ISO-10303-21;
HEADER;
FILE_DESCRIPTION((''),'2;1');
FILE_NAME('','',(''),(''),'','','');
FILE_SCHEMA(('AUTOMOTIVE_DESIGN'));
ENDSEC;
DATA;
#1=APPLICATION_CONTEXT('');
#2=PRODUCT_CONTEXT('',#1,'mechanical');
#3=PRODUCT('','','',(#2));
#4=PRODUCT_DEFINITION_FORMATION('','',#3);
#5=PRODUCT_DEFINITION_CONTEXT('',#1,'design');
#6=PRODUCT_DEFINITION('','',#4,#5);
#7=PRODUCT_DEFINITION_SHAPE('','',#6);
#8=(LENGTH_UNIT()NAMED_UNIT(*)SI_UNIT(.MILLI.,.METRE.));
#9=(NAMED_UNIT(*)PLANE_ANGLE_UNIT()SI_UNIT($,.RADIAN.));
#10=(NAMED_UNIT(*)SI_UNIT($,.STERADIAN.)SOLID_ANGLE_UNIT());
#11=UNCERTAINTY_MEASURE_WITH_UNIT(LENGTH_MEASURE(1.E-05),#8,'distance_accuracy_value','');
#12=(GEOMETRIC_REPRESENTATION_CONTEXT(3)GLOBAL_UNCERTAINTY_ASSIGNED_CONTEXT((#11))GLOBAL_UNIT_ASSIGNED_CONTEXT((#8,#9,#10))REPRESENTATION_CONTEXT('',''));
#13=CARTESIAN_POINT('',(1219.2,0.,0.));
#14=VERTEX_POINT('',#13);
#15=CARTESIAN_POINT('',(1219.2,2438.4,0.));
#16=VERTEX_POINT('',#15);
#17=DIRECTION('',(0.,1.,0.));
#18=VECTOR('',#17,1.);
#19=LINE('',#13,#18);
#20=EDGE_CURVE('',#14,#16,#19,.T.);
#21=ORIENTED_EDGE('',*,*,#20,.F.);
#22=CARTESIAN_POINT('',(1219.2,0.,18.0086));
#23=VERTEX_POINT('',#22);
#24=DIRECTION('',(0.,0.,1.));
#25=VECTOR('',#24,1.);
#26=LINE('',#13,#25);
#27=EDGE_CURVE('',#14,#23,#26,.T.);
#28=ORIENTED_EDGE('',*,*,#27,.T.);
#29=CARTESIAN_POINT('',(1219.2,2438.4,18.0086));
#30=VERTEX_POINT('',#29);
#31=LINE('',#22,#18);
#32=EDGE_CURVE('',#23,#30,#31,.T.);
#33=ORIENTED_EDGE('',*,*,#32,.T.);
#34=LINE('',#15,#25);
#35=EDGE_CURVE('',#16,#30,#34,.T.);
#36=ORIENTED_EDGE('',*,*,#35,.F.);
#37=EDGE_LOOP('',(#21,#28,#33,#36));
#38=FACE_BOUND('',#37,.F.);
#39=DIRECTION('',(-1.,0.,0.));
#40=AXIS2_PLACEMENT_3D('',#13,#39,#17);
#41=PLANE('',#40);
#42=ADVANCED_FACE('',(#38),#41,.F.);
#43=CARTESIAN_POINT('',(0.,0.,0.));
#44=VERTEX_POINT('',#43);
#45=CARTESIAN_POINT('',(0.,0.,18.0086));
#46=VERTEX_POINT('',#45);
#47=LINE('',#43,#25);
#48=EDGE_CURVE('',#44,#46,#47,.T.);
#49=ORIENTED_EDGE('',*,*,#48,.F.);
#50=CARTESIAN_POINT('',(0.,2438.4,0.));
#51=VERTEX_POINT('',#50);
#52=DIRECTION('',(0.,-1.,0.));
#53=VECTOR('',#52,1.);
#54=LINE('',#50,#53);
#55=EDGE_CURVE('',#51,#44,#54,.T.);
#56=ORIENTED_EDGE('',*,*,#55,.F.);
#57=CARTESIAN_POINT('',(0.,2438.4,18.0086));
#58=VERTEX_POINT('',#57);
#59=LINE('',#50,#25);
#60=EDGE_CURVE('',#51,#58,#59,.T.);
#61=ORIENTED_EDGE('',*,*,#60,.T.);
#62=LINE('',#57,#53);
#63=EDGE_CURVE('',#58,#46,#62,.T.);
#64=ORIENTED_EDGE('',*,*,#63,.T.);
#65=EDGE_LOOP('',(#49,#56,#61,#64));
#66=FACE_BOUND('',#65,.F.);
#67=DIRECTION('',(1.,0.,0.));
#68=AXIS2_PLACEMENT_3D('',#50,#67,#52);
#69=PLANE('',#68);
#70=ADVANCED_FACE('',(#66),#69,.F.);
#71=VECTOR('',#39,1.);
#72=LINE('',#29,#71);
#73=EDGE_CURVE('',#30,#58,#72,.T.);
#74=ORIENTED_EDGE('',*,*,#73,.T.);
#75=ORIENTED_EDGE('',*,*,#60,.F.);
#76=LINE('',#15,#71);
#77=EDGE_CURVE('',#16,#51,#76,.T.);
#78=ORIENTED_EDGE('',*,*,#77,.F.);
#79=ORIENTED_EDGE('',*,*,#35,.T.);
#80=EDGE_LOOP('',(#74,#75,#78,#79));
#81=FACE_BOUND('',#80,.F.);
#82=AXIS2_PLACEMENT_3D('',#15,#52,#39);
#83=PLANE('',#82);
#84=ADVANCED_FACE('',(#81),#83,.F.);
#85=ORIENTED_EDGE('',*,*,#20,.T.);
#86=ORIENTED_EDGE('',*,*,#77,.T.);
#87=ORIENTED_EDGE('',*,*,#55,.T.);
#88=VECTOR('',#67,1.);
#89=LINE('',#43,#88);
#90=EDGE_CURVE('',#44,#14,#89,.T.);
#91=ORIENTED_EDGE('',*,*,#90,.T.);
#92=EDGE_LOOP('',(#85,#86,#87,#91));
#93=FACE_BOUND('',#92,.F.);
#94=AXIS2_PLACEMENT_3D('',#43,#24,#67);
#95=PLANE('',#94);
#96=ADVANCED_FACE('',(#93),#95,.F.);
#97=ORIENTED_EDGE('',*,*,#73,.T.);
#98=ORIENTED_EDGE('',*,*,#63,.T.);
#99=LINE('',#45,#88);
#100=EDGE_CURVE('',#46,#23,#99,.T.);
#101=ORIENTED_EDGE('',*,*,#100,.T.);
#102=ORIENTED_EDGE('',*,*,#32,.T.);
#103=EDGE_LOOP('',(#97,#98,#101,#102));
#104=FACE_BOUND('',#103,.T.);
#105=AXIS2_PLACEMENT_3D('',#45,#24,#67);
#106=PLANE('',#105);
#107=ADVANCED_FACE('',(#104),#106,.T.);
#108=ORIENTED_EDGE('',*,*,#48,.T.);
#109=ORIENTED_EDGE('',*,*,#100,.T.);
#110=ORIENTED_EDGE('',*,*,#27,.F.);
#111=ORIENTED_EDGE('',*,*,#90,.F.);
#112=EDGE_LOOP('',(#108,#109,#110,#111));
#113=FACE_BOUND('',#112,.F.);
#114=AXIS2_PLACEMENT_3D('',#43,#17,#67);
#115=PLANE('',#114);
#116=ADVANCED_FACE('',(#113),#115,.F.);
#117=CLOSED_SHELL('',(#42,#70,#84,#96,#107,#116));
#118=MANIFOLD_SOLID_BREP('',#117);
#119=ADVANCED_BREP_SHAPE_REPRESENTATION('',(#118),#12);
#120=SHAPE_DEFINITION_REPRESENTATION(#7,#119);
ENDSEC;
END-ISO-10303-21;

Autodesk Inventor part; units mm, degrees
ref_plane "YZ Plane" through (0, 0, 0) normal (1, 0, 0) x (0, 1, 0)
ref_plane "XZ Plane" through (0, 0, 0) normal (0, 1, 0) x (-1, 0, 0)
ref_plane "XY Plane" through (0, 0, 0) normal (0, 0, 1) x (1, 0, 0)
sketch "Sketch1" plane through (0, 0, 0) normal (0, 0, 1) x (1, 0, 0)
  line L0 (0, 0) -> (1219.2, 0)
  line L1 (1219.2, 0) -> (1219.2, 2438.4)
  line L2 (1219.2, 2438.4) -> (0, 2438.4)
  line L3 (0, 2438.4) -> (0, 0)
  dimension "d0" = 1219.2
  dimension "d1" = 2438.4
extrude "Extrusion1" add sketch "Sketch1" along normal blind 18.0086
properties part number "4x8plywood"
